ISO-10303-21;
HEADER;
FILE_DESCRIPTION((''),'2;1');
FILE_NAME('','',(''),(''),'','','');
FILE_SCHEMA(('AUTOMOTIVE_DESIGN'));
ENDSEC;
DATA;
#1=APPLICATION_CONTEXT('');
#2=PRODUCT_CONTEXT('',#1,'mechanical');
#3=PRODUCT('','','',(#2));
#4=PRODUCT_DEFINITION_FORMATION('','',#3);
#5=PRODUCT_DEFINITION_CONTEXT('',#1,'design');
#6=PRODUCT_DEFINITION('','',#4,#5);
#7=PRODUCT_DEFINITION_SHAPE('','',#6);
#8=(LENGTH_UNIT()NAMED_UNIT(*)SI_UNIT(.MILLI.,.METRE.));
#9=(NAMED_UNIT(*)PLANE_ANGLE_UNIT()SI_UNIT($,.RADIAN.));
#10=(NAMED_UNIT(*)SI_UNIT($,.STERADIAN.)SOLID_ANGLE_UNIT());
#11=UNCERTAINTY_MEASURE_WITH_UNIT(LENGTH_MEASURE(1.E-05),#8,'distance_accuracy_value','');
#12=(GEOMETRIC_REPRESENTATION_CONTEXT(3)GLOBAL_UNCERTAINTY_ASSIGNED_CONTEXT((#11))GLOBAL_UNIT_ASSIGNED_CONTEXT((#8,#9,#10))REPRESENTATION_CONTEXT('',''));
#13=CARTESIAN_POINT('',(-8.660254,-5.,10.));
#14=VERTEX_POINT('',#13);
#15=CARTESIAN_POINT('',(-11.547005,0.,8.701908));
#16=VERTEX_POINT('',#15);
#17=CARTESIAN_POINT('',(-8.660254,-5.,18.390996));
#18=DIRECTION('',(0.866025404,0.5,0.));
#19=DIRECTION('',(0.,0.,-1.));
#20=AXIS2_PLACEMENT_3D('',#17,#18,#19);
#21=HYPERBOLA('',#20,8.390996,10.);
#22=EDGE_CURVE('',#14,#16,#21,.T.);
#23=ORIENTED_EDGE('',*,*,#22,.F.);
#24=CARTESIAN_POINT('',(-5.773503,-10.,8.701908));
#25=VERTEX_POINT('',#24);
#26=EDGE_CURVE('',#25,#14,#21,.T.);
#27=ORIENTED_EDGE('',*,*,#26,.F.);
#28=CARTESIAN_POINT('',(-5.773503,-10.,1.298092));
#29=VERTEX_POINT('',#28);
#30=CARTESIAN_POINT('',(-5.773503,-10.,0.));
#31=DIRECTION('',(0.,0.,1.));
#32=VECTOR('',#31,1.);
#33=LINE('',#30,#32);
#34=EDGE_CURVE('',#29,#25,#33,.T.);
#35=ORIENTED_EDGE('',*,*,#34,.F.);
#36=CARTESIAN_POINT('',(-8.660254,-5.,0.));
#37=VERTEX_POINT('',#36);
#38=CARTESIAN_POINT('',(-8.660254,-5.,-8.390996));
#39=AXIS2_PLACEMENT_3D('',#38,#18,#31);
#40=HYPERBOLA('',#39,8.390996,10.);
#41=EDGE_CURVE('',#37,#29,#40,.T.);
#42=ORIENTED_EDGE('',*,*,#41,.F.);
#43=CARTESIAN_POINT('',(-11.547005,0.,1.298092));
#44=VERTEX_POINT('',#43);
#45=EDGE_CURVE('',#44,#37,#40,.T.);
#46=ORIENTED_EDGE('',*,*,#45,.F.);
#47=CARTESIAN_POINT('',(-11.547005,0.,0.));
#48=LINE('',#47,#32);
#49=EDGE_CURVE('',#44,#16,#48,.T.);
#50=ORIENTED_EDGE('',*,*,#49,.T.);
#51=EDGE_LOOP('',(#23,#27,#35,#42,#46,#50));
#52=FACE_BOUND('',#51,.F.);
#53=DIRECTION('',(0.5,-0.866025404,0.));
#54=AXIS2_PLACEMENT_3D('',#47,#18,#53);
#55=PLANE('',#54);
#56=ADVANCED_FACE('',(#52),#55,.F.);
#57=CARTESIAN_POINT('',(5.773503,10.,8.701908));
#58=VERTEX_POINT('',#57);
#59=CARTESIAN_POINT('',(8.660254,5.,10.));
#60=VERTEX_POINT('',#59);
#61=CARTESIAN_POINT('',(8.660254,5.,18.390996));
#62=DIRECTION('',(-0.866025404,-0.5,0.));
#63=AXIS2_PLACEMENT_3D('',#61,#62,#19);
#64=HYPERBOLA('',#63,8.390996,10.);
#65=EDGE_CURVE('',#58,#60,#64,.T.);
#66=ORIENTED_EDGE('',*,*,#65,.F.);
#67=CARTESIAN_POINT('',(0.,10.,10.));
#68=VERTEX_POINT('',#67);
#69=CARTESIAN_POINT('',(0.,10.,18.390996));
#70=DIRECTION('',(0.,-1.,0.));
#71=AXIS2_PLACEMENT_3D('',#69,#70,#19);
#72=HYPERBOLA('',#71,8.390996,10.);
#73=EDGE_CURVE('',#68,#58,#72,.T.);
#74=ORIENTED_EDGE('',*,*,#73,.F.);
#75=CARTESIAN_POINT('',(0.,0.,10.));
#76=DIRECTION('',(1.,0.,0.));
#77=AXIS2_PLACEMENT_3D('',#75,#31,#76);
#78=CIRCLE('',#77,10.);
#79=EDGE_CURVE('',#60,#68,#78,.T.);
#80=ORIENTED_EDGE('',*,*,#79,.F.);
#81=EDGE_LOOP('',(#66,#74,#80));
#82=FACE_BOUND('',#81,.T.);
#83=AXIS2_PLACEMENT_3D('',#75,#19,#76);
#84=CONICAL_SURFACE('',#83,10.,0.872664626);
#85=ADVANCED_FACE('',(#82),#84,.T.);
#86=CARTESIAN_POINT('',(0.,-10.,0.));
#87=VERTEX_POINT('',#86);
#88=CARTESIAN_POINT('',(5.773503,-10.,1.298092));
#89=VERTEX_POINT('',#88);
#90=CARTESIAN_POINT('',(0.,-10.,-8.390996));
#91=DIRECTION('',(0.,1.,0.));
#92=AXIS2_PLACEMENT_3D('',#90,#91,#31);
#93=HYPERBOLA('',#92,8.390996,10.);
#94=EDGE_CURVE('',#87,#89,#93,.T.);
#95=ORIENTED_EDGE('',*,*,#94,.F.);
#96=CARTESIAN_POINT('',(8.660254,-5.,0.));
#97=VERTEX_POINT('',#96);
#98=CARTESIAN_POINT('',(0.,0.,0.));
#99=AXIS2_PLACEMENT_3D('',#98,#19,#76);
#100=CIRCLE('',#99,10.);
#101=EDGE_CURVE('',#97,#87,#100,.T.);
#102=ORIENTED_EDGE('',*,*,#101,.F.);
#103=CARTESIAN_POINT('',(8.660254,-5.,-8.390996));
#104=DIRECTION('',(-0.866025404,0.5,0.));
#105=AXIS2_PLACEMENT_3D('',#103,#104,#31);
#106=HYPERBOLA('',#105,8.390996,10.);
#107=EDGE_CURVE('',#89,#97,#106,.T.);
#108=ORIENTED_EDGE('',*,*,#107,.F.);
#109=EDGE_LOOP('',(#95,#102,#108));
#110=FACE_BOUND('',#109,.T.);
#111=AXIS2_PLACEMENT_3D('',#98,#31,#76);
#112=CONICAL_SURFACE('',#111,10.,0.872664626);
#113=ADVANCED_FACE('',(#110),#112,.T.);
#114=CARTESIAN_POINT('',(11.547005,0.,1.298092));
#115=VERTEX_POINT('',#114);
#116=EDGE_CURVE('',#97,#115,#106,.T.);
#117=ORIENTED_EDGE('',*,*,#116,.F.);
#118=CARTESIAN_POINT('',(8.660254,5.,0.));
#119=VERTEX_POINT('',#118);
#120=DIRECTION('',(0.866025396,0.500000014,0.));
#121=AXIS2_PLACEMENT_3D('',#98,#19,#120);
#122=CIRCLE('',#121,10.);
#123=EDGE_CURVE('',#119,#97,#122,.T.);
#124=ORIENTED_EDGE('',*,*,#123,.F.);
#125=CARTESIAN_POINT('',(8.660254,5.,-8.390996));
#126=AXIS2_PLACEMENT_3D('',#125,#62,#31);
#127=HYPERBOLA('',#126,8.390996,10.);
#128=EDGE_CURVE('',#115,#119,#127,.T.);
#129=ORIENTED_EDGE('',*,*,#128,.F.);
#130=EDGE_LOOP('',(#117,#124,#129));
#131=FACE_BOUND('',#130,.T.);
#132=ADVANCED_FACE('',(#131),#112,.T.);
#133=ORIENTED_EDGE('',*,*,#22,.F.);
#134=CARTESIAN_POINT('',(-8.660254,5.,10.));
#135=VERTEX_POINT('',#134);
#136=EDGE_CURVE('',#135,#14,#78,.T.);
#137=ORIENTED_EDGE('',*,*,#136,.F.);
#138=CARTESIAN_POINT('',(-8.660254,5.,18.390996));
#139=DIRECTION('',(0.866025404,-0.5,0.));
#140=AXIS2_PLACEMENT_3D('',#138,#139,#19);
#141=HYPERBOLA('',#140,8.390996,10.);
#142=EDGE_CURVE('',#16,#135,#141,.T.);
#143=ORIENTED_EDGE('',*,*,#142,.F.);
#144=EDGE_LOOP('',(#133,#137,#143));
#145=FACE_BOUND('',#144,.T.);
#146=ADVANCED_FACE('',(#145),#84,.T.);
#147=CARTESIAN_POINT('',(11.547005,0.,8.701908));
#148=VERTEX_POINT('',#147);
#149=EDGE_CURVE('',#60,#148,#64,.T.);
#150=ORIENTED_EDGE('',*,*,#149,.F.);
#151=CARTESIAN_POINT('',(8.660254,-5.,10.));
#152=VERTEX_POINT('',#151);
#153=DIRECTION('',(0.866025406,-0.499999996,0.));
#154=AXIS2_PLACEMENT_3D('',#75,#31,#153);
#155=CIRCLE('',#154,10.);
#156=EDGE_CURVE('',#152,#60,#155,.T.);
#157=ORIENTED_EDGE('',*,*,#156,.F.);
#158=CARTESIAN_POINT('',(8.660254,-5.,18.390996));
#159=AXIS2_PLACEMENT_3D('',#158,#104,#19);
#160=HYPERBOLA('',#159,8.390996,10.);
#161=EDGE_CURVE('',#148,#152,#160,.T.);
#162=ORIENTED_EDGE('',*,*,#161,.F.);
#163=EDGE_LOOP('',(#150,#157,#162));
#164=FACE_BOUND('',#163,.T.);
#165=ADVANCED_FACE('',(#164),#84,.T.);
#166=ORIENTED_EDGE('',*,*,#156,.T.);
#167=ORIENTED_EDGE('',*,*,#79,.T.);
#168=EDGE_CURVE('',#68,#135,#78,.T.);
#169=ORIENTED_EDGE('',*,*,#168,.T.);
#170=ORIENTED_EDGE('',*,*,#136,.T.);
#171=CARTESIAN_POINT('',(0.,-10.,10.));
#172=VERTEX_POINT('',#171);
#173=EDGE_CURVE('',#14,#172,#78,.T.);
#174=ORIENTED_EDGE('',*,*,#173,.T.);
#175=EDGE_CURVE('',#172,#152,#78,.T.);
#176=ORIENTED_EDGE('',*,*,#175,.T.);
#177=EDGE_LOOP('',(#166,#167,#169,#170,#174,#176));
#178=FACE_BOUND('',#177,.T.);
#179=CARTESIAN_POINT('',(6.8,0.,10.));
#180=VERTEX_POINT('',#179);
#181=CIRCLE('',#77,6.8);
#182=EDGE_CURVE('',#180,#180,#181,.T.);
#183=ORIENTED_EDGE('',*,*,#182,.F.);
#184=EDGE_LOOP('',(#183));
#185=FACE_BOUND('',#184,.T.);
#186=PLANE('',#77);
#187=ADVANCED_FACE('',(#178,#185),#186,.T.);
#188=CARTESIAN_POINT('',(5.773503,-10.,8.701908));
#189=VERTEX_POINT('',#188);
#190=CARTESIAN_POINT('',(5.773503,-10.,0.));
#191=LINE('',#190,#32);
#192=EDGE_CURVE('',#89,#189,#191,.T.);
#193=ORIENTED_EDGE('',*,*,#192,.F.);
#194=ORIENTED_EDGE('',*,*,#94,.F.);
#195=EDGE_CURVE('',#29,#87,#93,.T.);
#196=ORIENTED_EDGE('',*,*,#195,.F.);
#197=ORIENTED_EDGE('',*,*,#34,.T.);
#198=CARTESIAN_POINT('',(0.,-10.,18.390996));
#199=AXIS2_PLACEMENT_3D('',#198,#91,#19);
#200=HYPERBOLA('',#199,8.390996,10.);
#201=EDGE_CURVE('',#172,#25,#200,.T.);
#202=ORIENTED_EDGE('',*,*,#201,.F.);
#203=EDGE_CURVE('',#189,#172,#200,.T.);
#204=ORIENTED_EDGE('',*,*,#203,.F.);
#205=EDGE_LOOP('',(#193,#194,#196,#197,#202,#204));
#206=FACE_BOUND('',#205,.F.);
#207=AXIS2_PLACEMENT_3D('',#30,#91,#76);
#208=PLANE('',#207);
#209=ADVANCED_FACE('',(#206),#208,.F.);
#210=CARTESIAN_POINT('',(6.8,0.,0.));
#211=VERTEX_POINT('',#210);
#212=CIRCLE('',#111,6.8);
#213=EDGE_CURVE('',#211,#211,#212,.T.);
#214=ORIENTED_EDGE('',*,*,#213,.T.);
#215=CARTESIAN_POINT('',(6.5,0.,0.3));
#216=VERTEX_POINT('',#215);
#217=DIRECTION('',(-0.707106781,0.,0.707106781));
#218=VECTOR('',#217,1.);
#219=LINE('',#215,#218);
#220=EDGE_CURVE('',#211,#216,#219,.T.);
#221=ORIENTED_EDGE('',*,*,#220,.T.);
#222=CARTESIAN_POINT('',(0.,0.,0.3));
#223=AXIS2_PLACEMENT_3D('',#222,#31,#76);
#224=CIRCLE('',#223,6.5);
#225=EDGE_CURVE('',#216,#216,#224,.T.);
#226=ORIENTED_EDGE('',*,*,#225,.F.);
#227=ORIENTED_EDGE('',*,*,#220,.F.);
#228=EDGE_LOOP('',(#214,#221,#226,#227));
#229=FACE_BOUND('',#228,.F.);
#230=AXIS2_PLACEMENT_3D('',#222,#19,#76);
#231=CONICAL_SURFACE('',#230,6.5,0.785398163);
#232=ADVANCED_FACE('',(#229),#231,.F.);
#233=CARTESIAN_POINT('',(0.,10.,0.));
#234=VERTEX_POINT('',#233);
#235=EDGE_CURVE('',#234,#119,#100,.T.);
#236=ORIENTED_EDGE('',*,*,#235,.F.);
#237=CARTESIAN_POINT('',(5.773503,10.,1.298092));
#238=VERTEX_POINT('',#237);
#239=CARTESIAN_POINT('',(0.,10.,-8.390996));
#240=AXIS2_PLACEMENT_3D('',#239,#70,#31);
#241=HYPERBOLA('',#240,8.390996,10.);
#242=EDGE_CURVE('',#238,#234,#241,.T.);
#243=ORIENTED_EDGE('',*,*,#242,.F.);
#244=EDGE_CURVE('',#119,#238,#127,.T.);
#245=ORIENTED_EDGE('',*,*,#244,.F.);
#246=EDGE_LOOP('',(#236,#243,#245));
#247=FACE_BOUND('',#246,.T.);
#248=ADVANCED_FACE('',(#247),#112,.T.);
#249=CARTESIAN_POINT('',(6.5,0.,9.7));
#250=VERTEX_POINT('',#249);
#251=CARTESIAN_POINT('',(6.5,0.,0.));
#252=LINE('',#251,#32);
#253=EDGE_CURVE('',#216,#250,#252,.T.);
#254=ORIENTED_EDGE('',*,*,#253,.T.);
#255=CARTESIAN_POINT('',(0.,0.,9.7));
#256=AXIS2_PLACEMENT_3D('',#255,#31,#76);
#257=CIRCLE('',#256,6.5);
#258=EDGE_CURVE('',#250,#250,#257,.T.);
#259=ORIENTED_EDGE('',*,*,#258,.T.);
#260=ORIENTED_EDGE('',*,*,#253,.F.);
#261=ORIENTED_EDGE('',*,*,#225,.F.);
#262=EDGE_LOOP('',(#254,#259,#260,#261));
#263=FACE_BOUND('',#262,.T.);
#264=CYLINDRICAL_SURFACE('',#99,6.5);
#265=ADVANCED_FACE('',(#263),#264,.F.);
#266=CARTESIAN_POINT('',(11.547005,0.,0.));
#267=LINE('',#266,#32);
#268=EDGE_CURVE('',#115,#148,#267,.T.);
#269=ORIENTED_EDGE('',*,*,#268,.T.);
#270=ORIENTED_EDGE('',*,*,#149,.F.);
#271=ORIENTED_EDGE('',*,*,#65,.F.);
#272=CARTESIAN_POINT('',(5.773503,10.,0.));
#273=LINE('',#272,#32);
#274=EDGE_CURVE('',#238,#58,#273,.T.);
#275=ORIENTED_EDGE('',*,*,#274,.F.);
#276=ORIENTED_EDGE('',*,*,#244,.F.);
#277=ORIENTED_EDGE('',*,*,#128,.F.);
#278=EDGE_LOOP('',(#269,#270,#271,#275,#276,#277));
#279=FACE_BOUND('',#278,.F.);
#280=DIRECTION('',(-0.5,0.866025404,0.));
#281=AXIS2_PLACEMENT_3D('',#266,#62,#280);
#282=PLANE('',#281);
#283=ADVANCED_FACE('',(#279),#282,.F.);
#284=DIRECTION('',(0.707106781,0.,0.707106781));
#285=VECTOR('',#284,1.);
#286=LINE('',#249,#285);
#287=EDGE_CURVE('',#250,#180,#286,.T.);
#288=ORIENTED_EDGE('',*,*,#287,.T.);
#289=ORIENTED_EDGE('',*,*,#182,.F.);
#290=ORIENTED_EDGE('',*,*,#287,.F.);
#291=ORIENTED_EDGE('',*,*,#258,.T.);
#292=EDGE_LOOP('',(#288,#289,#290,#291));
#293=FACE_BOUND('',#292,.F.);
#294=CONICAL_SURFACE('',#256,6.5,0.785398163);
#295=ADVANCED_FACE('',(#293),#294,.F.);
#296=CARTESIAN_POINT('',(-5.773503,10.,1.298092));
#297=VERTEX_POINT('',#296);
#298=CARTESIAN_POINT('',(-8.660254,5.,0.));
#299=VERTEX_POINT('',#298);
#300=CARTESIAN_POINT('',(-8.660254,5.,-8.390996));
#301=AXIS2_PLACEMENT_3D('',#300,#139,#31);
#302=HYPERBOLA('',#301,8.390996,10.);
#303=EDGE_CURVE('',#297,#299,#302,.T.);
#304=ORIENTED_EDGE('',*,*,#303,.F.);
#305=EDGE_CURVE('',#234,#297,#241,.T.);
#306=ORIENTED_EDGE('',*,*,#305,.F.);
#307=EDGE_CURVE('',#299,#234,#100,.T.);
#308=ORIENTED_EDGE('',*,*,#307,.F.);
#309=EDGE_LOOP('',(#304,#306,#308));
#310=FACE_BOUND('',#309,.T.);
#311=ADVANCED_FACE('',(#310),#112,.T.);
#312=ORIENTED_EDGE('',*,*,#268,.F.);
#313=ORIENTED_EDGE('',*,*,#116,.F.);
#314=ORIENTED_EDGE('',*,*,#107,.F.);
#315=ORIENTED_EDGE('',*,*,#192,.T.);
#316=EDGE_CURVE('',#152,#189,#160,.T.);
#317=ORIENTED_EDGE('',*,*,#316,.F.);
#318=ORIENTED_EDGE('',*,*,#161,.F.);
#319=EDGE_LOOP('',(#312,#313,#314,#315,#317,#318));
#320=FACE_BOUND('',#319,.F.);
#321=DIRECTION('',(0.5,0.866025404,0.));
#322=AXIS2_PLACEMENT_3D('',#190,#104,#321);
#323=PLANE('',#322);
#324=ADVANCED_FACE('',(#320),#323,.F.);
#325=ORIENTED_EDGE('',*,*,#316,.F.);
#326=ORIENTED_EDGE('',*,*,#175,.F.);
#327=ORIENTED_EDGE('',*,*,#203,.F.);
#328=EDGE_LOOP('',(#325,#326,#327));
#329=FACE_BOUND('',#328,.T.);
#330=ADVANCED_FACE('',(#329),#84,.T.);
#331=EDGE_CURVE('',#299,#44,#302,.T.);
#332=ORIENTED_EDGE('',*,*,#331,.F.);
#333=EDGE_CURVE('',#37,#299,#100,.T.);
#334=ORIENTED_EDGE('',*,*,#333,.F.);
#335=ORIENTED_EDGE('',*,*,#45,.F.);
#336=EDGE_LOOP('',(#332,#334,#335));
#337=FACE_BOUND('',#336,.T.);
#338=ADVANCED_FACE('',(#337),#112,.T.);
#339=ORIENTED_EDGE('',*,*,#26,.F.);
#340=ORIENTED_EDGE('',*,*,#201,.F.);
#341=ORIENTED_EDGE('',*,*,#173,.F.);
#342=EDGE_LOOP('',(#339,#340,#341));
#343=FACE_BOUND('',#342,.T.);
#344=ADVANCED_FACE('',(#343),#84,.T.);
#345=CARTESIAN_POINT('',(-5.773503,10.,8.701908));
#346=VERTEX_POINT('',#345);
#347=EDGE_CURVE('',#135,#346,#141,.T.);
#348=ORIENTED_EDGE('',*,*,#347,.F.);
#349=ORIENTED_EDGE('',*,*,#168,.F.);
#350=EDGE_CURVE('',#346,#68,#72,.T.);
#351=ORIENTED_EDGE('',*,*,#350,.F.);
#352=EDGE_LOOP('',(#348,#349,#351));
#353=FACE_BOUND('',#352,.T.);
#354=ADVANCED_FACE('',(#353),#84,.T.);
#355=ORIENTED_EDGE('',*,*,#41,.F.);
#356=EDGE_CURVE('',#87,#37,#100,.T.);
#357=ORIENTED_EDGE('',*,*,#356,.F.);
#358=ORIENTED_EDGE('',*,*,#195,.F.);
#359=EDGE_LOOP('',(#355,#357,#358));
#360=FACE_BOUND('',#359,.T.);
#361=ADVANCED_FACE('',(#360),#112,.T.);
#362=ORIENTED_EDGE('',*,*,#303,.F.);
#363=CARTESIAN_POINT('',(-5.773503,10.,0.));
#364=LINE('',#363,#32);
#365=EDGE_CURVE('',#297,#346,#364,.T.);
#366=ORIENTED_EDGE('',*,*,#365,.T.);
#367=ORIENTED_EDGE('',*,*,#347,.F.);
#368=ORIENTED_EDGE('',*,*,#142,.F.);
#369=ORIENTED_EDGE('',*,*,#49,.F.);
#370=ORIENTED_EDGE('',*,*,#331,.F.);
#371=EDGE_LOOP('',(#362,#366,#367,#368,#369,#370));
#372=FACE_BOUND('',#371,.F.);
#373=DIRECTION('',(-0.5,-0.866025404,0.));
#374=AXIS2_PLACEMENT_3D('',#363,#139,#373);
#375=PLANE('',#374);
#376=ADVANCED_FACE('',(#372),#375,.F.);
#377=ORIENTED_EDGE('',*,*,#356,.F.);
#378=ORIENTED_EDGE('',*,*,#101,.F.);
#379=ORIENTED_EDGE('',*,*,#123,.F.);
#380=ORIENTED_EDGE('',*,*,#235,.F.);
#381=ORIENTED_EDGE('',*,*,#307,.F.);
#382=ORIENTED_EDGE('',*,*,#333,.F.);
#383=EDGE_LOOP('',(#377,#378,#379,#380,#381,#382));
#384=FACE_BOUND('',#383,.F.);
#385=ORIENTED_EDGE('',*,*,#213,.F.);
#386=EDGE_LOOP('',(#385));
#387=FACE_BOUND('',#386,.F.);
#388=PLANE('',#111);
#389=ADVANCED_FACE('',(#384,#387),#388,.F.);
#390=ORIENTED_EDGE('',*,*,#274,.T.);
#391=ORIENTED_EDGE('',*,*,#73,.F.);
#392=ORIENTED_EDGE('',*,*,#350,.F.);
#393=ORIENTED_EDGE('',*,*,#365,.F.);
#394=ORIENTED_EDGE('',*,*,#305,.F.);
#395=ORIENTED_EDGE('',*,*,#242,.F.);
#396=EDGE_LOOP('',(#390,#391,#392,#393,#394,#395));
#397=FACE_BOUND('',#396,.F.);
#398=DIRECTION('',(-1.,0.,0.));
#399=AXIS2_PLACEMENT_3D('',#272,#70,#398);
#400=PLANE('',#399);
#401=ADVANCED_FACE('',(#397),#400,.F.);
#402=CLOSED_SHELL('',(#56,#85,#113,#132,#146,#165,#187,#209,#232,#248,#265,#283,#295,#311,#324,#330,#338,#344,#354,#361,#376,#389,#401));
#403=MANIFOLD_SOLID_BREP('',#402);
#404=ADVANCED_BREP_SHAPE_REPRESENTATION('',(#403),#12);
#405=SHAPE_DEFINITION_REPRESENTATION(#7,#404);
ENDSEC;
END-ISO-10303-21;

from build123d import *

# Parameters (mm, degrees)
SKETCH1_R               = 6.5
BOSS_EXTRUDE1_DEPTH     = 10
SKETCH2_OUTSIDE_W       = 38.674
SKETCH2_OUTSIDE_H       = 35.58
SKETCH2_OUTSIDE_R       = 10
CUT_EXTRUDE1_DEPTH      = 3
CUT_EXTRUDE1_DRAFT      = -50
MIRROR1_COPY_1_SKETCH_W = 38.674
MIRROR1_COPY_1_SKETCH_H = 35.58
MIRROR1_COPY_1_SKETCH_R = 10
MIRROR1_COPY_1_DEPTH    = 3
MIRROR1_COPY_1_DRAFT    = -50
CHAMFER1_SIZE           = 0.3


with BuildPart() as part:
    # Sketch1 → Boss-Extrude1 (new body)
    with BuildSketch(Plane.XY):
        Polygon((-11.547005384, 0), (-5.773502692, -10), (5.773502692, -10), (11.547005384, 0), (5.773502692, 10), (-5.773502692, 10), align=None)
        Circle(SKETCH1_R, mode=Mode.SUBTRACT)
    extrude(amount=BOSS_EXTRUDE1_DEPTH)


with BuildPart() as cut_extrude1_tool:
    # Sketch2 outside → Cut-Extrude1 (with draft: the straight prism first)
    with BuildSketch(Plane.XY.offset(10)):
        Rectangle(SKETCH2_OUTSIDE_W, SKETCH2_OUTSIDE_H)
        Circle(SKETCH2_OUTSIDE_R, mode=Mode.SUBTRACT)
    extrude(amount=-CUT_EXTRUDE1_DEPTH)
    # Cut-Extrude1: the draft: its side faces are tilted about the plane it starts from
    cut_extrude1_sides = [cut_extrude1_tool.faces().sort_by_distance(p)[0] for p in [
        (0, -17.79, 8.5),
        (19.337, 0, 8.5),
        (0, 17.79, 8.5),
        (-19.337, 0, 8.5),
        (-10, 0, 8.5),
    ]]
    draft(cut_extrude1_sides, Plane.XY.offset(10), CUT_EXTRUDE1_DRAFT)


with BuildPart() as part_1:
    add(part.part)

    # Cut-Extrude1: cut by cut_extrude1_tool
    add(cut_extrude1_tool.part, mode=Mode.SUBTRACT)


with BuildPart() as mirror1_copy_1_tool:
    # Mirror1 copy 1 sketch → Mirror1 copy 1 (with draft: the straight prism first)
    with BuildSketch(Plane(origin=(0, 0, 0), x_dir=(1, 0, 0), z_dir=(0, 0, -1))):
        Rectangle(MIRROR1_COPY_1_SKETCH_W, MIRROR1_COPY_1_SKETCH_H)
        Circle(MIRROR1_COPY_1_SKETCH_R, mode=Mode.SUBTRACT)
    extrude(amount=-MIRROR1_COPY_1_DEPTH)
    # Mirror1 copy 1: the draft: its side faces are tilted about the plane it starts from
    mirror1_copy_1_sides = [mirror1_copy_1_tool.faces().sort_by_distance(p)[0] for p in [
        (0, -17.79, 1.5),
        (19.337, 0, 1.5),
        (0, 17.79, 1.5),
        (-19.337, 0, 1.5),
        (-10, 0, 1.5),
    ]]
    draft(mirror1_copy_1_sides, Plane(origin=(0, 0, 0), x_dir=(1, 0, 0), z_dir=(0, 0, -1)), MIRROR1_COPY_1_DRAFT)


with BuildPart() as part_2:
    add(part_1.part)

    # Mirror1 copy 1: cut by mirror1_copy_1_tool
    add(mirror1_copy_1_tool.part, mode=Mode.SUBTRACT)

    # Chamfer1
    chamfer1_edges = [part_2.edges().sort_by_distance(p)[0] for p in [
        (-6.5, 0, 0),
        (-6.5, 0, 10),
    ]]
    chamfer(chamfer1_edges, length=CHAMFER1_SIZE)


solid = part_2.part
